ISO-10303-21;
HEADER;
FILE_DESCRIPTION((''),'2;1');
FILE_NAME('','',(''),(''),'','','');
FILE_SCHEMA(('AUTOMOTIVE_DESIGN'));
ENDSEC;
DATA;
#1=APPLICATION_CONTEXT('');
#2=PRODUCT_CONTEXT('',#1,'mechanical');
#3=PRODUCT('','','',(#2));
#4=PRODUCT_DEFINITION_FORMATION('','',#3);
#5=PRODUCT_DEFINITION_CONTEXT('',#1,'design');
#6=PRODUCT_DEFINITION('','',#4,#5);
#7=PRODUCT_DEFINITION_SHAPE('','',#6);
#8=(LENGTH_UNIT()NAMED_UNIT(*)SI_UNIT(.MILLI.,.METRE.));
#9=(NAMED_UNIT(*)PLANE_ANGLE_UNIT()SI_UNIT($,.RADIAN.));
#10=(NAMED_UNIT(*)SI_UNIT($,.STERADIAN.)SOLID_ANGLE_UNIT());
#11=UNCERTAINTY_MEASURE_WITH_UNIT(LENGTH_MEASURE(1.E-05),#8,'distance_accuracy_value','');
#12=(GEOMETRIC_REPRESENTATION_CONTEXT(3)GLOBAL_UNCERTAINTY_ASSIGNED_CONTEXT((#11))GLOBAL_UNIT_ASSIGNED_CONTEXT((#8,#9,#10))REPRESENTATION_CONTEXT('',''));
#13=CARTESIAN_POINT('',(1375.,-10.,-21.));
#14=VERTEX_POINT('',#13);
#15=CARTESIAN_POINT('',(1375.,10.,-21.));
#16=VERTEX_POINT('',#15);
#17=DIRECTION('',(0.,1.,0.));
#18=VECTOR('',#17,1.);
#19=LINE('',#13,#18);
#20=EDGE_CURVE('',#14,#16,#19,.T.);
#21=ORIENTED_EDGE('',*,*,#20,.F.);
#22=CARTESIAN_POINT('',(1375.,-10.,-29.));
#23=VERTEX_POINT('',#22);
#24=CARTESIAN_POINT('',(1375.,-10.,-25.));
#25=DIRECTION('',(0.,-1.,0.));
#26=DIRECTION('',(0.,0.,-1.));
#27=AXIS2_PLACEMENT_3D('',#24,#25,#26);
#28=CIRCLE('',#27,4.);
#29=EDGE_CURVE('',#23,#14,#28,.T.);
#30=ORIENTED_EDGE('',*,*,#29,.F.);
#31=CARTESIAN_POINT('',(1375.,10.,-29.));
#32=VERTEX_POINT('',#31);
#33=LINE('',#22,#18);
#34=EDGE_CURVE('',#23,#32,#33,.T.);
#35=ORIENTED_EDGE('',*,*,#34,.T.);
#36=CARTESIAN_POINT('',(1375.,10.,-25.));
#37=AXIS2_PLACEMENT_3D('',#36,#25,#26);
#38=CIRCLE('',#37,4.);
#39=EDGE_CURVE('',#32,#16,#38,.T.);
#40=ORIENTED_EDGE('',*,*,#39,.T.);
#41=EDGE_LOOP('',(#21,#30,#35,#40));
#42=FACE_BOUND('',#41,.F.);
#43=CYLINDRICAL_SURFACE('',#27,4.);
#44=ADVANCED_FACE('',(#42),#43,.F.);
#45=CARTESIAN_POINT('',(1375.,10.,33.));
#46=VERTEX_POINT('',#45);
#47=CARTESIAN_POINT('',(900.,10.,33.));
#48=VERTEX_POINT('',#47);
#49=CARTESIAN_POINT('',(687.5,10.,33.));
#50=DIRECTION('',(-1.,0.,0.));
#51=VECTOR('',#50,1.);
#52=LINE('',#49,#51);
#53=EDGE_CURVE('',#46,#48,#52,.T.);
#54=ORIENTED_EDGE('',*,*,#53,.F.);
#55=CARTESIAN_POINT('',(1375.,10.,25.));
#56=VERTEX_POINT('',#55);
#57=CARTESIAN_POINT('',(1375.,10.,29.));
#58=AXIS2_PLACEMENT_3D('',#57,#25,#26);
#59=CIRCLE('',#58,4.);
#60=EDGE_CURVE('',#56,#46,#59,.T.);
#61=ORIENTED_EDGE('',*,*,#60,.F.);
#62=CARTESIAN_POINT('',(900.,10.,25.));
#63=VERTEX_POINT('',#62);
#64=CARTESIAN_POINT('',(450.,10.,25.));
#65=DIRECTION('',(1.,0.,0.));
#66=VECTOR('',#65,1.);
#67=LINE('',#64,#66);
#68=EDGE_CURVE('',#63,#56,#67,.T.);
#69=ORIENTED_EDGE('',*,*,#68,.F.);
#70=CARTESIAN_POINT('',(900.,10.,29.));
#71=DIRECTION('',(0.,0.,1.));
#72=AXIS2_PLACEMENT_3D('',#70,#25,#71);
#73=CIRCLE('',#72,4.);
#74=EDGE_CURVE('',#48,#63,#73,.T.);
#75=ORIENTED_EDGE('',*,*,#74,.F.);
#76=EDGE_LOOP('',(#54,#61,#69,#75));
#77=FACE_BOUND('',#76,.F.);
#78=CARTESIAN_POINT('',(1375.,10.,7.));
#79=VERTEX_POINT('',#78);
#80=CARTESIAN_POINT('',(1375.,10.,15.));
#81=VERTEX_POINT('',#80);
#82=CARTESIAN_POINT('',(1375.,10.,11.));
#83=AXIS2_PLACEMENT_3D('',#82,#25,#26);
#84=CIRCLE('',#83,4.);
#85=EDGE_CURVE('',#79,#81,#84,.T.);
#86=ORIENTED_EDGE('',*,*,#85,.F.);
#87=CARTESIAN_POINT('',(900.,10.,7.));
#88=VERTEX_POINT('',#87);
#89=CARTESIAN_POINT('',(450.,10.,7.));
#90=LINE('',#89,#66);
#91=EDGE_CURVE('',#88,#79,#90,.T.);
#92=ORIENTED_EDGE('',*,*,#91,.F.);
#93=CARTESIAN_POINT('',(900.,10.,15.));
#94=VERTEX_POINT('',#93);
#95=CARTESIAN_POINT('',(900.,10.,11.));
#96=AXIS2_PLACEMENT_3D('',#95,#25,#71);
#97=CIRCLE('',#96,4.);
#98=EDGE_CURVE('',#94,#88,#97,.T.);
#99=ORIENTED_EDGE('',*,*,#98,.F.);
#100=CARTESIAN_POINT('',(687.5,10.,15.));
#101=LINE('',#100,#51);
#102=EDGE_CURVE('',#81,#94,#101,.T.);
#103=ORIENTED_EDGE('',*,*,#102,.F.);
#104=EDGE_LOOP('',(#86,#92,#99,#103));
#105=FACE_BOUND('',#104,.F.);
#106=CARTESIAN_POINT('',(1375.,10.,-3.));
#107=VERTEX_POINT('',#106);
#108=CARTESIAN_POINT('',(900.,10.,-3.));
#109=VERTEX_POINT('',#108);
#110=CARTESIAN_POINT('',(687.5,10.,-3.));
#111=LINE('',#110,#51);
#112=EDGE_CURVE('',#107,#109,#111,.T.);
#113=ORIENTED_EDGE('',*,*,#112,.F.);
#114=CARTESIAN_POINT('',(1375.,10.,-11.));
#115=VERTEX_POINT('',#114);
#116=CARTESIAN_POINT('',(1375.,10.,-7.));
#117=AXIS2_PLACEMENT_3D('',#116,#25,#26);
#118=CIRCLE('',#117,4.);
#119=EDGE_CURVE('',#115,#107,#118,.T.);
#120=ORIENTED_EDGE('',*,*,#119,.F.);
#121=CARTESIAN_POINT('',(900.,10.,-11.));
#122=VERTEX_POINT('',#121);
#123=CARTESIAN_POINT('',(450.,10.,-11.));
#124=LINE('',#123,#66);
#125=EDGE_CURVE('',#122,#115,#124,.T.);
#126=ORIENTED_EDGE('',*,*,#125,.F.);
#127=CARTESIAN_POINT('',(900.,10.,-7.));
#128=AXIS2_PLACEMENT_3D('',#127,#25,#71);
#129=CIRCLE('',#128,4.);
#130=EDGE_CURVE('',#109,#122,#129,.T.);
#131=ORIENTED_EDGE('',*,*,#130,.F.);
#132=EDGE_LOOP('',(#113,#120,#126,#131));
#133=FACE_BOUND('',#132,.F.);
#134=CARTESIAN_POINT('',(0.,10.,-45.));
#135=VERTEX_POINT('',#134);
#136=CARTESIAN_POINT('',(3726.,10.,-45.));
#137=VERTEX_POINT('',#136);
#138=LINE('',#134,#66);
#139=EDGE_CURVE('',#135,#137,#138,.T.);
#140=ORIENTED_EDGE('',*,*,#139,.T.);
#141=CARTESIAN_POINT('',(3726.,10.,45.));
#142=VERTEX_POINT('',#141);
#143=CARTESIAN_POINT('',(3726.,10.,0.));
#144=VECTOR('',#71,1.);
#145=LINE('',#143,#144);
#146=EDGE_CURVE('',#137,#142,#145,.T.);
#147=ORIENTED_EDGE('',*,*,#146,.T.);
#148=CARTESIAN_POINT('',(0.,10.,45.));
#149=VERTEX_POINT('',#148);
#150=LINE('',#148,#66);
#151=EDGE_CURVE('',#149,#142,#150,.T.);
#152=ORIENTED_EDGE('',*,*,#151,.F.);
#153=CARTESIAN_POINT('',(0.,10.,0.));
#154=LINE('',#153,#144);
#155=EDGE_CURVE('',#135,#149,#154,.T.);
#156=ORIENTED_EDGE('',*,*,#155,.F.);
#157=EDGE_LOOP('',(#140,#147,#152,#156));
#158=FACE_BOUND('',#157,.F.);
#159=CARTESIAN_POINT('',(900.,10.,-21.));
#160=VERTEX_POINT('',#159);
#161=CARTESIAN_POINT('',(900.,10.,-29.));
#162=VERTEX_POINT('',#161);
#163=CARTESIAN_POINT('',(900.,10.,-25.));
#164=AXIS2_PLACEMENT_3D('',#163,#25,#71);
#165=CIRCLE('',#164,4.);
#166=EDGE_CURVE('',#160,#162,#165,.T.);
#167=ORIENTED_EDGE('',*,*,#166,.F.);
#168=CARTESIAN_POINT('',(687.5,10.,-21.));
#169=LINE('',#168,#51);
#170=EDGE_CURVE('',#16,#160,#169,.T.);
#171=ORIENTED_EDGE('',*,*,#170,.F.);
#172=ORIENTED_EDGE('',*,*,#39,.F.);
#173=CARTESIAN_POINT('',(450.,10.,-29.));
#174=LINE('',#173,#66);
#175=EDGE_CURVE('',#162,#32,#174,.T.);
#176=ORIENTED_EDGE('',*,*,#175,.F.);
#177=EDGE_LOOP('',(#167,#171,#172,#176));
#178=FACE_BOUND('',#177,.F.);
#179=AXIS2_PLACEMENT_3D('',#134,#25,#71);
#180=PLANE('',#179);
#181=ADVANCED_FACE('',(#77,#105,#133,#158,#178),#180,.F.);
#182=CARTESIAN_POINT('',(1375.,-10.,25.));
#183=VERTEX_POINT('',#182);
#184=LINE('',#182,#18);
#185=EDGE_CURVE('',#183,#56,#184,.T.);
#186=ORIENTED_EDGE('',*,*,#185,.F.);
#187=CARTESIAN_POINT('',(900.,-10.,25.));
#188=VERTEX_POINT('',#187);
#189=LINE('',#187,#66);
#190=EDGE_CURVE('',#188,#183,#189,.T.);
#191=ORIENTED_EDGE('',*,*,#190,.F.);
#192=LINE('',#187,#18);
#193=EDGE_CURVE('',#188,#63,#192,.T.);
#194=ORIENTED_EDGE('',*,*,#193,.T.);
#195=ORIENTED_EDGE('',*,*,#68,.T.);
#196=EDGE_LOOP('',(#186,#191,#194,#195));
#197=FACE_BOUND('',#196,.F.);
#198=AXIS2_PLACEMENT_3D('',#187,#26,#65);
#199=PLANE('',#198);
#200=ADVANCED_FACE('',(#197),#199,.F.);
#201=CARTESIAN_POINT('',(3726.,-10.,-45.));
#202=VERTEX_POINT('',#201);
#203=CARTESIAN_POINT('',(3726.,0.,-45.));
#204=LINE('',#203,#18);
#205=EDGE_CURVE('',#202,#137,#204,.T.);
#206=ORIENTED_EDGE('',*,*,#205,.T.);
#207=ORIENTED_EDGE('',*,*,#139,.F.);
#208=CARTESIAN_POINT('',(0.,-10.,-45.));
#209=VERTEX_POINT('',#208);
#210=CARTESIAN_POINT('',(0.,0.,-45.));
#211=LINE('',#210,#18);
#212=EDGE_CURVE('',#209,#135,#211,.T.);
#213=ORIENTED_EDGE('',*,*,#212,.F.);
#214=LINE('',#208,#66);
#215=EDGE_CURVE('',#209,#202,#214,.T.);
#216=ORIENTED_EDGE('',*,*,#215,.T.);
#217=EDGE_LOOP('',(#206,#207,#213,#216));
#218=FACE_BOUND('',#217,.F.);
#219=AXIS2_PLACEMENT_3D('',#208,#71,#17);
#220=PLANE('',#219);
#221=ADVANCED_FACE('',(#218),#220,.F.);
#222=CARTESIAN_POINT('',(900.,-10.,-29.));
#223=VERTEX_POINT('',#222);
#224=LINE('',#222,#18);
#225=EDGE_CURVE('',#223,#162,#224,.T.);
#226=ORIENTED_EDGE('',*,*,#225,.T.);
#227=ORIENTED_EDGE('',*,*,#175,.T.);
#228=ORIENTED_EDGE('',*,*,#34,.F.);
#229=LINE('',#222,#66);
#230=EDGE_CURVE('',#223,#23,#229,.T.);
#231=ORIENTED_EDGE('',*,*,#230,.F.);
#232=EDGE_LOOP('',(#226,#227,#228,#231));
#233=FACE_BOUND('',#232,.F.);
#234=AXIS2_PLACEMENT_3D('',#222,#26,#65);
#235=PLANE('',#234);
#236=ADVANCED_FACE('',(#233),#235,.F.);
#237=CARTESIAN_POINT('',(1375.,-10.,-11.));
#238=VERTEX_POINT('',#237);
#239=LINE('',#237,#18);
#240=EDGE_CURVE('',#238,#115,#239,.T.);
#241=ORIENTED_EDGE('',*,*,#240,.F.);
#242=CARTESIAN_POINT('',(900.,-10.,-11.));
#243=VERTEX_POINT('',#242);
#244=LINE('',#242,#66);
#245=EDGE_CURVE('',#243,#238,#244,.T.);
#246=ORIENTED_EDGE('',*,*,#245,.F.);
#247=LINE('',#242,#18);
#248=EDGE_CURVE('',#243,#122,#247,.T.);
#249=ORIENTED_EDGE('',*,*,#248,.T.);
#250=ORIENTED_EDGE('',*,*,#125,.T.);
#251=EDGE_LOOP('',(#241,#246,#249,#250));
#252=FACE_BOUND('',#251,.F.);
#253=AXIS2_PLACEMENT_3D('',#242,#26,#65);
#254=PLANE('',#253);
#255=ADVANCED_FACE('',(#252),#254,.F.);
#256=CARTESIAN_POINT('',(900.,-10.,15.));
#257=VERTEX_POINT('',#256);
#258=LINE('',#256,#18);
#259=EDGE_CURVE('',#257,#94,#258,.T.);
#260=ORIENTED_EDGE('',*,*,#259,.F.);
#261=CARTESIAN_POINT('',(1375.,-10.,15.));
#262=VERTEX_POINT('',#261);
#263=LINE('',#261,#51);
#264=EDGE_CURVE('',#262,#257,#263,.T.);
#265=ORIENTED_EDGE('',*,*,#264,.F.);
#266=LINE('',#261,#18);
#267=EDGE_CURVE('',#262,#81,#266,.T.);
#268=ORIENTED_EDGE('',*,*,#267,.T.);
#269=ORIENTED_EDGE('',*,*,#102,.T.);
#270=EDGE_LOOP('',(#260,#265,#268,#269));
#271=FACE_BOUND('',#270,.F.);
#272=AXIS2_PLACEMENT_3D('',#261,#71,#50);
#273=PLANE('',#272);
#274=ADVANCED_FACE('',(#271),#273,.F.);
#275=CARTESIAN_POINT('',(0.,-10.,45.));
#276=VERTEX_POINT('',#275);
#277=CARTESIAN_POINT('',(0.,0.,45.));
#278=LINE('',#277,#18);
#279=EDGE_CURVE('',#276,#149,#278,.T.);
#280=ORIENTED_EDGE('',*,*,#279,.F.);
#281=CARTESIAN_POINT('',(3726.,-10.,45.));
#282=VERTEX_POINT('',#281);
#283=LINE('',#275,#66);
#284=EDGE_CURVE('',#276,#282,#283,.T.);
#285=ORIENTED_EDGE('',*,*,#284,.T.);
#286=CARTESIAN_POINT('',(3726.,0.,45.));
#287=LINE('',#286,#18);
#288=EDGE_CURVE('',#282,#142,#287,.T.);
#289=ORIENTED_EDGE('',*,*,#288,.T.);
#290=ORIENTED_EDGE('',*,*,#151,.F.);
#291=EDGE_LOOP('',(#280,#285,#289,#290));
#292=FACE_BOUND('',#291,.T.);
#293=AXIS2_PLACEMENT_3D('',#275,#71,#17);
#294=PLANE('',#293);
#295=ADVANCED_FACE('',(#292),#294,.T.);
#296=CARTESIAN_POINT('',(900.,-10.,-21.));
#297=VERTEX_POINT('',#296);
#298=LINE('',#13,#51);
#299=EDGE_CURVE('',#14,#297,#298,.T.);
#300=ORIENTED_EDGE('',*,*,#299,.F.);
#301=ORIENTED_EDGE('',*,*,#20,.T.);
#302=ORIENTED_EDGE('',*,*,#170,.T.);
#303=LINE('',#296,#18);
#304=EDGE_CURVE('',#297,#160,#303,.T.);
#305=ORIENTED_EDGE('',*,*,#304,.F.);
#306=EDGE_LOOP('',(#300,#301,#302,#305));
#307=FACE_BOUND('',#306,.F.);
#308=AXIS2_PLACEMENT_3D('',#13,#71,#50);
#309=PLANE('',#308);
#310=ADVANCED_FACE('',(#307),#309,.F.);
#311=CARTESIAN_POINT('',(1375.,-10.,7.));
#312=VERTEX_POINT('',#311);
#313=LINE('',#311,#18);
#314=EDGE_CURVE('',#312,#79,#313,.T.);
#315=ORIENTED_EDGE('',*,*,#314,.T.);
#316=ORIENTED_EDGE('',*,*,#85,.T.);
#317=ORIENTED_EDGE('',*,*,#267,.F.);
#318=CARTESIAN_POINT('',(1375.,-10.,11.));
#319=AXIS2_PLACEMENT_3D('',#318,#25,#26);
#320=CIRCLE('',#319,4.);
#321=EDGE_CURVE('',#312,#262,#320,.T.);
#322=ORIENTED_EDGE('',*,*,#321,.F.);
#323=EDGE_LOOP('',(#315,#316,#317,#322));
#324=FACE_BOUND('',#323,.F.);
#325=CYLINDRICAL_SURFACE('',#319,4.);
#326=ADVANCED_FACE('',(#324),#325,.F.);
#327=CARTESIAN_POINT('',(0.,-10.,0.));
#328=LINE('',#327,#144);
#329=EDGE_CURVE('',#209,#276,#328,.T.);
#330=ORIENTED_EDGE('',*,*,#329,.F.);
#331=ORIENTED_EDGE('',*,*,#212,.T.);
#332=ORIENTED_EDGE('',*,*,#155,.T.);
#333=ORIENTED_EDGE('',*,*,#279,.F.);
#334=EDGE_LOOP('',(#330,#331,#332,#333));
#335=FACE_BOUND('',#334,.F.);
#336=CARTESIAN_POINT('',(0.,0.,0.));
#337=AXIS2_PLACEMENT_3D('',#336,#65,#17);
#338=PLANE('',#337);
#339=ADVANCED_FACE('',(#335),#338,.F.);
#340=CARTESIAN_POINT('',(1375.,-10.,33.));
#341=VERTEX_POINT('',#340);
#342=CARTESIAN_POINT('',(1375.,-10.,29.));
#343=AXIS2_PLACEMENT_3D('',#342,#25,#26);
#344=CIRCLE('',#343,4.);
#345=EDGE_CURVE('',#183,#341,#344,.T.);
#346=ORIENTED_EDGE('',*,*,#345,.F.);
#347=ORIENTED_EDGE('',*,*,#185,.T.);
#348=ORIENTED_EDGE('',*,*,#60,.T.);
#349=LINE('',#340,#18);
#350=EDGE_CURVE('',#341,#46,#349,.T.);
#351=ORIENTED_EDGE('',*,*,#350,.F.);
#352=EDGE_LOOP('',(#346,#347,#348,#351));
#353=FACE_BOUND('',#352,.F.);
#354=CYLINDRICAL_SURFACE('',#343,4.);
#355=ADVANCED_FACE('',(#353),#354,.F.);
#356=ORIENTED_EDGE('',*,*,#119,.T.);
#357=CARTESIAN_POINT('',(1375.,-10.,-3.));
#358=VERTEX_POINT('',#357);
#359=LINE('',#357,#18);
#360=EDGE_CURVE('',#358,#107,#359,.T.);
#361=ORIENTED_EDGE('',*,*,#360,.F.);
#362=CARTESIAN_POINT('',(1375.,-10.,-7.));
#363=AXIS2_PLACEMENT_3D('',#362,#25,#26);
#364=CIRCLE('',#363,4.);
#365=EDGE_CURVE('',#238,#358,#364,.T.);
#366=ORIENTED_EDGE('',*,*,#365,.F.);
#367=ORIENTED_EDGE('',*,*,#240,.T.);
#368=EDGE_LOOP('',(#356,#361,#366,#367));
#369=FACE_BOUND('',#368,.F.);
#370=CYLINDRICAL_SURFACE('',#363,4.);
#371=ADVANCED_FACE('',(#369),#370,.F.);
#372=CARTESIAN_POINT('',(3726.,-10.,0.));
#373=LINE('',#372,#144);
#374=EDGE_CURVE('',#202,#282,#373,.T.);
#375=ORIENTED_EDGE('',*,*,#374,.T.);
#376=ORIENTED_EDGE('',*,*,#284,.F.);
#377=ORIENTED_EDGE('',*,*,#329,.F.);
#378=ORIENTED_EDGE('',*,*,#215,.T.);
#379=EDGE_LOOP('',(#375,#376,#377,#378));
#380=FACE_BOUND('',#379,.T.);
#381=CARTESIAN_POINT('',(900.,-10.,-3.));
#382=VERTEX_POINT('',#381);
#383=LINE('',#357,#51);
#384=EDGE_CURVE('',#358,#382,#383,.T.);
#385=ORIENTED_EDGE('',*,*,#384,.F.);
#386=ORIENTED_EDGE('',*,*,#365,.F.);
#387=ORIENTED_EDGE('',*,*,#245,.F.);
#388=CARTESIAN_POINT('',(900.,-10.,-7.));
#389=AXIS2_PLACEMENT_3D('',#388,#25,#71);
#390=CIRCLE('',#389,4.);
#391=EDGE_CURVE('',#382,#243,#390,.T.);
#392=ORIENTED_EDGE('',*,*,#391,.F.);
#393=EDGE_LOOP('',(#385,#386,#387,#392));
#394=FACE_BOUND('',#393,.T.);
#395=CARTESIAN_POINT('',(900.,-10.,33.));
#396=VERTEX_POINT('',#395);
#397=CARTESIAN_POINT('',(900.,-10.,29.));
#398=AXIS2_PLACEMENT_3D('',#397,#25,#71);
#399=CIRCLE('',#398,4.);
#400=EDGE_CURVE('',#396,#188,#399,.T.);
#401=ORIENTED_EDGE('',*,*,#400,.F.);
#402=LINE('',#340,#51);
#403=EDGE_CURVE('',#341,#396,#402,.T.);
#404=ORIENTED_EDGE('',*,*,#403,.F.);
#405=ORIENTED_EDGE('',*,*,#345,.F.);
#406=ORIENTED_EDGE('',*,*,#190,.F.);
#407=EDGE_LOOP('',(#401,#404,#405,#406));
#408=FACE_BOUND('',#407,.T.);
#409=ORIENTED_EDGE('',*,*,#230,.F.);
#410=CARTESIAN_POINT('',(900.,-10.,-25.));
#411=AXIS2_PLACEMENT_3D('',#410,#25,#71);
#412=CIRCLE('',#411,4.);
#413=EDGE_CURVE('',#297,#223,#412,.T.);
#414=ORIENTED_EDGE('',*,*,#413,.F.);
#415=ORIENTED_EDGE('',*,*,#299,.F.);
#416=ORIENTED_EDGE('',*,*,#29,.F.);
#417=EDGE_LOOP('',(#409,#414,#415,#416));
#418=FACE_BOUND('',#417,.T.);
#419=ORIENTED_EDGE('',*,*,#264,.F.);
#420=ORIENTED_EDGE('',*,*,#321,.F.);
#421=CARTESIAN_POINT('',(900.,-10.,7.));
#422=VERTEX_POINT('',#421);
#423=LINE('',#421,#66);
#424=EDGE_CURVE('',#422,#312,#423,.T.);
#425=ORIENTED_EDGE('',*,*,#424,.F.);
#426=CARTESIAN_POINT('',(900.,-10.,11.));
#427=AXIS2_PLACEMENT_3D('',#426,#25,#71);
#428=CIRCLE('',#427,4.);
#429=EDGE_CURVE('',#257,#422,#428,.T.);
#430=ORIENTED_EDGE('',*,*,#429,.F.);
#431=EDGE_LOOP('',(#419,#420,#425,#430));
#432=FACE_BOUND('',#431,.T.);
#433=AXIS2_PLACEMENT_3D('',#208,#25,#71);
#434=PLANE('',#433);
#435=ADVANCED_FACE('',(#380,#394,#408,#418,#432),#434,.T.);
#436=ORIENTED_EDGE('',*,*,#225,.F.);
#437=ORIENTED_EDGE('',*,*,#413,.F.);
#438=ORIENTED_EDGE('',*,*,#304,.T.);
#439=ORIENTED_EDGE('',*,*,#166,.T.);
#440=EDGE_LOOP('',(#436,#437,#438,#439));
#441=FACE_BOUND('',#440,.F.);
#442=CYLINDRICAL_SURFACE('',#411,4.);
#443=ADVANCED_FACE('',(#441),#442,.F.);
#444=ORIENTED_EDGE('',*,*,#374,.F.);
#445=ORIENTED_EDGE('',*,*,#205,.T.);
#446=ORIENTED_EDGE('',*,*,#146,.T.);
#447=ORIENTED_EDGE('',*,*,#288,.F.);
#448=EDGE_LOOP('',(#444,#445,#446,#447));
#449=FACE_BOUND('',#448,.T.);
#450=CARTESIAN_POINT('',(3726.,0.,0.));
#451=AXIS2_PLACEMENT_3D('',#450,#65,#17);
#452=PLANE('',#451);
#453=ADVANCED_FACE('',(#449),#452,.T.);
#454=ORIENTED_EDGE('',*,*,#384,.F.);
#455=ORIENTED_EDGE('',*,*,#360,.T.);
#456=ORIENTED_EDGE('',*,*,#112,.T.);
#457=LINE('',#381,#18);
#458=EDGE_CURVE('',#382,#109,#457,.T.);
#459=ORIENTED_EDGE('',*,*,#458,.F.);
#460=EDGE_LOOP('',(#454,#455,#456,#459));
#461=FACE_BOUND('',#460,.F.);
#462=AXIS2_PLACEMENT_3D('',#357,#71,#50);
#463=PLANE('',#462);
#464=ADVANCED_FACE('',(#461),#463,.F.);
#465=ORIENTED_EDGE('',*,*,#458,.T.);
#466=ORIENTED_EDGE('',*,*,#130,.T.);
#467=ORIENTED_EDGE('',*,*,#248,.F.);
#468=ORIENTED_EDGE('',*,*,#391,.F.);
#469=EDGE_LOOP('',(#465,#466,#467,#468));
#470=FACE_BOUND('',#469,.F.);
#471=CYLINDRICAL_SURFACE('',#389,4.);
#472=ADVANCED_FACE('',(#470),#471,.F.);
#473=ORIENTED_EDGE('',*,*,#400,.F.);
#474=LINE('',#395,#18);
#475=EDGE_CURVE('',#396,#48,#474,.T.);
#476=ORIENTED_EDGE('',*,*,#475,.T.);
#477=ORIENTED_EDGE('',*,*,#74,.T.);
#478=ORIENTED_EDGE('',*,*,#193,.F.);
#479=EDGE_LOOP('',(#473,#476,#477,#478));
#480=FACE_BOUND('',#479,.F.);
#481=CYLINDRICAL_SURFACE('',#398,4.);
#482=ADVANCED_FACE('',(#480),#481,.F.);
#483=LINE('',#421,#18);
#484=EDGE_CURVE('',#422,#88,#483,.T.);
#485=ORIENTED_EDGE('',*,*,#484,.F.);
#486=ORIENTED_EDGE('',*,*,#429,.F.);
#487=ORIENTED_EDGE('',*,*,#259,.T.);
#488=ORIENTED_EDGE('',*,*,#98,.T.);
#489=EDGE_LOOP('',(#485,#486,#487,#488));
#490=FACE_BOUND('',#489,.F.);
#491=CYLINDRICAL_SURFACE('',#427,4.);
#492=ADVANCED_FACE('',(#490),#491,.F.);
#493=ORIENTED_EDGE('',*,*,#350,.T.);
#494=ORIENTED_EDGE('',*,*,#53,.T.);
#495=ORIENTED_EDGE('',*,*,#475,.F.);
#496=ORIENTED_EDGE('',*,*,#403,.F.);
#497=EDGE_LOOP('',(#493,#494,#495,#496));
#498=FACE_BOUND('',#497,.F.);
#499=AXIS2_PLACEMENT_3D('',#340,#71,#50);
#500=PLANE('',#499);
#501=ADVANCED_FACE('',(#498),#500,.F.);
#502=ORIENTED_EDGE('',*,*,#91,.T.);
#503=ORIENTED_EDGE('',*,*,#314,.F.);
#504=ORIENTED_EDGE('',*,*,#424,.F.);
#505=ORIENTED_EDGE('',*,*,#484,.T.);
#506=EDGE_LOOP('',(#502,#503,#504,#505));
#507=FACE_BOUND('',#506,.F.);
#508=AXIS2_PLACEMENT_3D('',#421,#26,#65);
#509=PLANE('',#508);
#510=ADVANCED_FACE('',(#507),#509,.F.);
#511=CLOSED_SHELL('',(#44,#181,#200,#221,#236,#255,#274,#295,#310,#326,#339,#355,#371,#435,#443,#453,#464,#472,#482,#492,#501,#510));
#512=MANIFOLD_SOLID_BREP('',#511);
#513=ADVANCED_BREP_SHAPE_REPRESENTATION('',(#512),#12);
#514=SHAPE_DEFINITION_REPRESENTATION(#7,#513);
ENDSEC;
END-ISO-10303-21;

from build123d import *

# Parameters (mm, degrees)
F0_W     = 20
F0_H     = 90
F1_DEPTH = 3726
F3_DEPTH = 25


with BuildPart() as f1:
    # F0 (on Right) → F1 (new body)
    with BuildSketch(Plane.YZ):
        Rectangle(F0_W, F0_H)
    extrude(amount=F1_DEPTH)

    # F2 (on face) → F3 (cut)
    with BuildSketch(Plane.XZ.offset(10)):
        with BuildLine():
            Line((900, 25), (1375, 25))
            ThreePointArc((1375, 25), (1379, 29), (1375, 33))
            Line((1375, 33), (900, 33))
            ThreePointArc((900, 33), (896, 29), (900, 25))
        make_face()
        with BuildLine():
            ThreePointArc((1375, 7), (1379, 11), (1375, 15))
            Line((1375, 15), (900, 15))
            ThreePointArc((900, 15), (896, 11), (900, 7))
            Line((900, 7), (1375, 7))
        make_face()
        with BuildLine():
            ThreePointArc((1375, -11), (1379, -7), (1375, -3))
            Line((1375, -3), (900, -3))
            ThreePointArc((900, -3), (896, -7), (900, -11))
            Line((900, -11), (1375, -11))
        make_face()
        with BuildLine():
            ThreePointArc((1375, -29), (1379, -25), (1375, -21))
            Line((1375, -21), (900, -21))
            ThreePointArc((900, -21), (896, -25), (900, -29))
            Line((900, -29), (1375, -29))
        make_face()
    extrude(amount=-F3_DEPTH, mode=Mode.SUBTRACT)


solid = f1.part
